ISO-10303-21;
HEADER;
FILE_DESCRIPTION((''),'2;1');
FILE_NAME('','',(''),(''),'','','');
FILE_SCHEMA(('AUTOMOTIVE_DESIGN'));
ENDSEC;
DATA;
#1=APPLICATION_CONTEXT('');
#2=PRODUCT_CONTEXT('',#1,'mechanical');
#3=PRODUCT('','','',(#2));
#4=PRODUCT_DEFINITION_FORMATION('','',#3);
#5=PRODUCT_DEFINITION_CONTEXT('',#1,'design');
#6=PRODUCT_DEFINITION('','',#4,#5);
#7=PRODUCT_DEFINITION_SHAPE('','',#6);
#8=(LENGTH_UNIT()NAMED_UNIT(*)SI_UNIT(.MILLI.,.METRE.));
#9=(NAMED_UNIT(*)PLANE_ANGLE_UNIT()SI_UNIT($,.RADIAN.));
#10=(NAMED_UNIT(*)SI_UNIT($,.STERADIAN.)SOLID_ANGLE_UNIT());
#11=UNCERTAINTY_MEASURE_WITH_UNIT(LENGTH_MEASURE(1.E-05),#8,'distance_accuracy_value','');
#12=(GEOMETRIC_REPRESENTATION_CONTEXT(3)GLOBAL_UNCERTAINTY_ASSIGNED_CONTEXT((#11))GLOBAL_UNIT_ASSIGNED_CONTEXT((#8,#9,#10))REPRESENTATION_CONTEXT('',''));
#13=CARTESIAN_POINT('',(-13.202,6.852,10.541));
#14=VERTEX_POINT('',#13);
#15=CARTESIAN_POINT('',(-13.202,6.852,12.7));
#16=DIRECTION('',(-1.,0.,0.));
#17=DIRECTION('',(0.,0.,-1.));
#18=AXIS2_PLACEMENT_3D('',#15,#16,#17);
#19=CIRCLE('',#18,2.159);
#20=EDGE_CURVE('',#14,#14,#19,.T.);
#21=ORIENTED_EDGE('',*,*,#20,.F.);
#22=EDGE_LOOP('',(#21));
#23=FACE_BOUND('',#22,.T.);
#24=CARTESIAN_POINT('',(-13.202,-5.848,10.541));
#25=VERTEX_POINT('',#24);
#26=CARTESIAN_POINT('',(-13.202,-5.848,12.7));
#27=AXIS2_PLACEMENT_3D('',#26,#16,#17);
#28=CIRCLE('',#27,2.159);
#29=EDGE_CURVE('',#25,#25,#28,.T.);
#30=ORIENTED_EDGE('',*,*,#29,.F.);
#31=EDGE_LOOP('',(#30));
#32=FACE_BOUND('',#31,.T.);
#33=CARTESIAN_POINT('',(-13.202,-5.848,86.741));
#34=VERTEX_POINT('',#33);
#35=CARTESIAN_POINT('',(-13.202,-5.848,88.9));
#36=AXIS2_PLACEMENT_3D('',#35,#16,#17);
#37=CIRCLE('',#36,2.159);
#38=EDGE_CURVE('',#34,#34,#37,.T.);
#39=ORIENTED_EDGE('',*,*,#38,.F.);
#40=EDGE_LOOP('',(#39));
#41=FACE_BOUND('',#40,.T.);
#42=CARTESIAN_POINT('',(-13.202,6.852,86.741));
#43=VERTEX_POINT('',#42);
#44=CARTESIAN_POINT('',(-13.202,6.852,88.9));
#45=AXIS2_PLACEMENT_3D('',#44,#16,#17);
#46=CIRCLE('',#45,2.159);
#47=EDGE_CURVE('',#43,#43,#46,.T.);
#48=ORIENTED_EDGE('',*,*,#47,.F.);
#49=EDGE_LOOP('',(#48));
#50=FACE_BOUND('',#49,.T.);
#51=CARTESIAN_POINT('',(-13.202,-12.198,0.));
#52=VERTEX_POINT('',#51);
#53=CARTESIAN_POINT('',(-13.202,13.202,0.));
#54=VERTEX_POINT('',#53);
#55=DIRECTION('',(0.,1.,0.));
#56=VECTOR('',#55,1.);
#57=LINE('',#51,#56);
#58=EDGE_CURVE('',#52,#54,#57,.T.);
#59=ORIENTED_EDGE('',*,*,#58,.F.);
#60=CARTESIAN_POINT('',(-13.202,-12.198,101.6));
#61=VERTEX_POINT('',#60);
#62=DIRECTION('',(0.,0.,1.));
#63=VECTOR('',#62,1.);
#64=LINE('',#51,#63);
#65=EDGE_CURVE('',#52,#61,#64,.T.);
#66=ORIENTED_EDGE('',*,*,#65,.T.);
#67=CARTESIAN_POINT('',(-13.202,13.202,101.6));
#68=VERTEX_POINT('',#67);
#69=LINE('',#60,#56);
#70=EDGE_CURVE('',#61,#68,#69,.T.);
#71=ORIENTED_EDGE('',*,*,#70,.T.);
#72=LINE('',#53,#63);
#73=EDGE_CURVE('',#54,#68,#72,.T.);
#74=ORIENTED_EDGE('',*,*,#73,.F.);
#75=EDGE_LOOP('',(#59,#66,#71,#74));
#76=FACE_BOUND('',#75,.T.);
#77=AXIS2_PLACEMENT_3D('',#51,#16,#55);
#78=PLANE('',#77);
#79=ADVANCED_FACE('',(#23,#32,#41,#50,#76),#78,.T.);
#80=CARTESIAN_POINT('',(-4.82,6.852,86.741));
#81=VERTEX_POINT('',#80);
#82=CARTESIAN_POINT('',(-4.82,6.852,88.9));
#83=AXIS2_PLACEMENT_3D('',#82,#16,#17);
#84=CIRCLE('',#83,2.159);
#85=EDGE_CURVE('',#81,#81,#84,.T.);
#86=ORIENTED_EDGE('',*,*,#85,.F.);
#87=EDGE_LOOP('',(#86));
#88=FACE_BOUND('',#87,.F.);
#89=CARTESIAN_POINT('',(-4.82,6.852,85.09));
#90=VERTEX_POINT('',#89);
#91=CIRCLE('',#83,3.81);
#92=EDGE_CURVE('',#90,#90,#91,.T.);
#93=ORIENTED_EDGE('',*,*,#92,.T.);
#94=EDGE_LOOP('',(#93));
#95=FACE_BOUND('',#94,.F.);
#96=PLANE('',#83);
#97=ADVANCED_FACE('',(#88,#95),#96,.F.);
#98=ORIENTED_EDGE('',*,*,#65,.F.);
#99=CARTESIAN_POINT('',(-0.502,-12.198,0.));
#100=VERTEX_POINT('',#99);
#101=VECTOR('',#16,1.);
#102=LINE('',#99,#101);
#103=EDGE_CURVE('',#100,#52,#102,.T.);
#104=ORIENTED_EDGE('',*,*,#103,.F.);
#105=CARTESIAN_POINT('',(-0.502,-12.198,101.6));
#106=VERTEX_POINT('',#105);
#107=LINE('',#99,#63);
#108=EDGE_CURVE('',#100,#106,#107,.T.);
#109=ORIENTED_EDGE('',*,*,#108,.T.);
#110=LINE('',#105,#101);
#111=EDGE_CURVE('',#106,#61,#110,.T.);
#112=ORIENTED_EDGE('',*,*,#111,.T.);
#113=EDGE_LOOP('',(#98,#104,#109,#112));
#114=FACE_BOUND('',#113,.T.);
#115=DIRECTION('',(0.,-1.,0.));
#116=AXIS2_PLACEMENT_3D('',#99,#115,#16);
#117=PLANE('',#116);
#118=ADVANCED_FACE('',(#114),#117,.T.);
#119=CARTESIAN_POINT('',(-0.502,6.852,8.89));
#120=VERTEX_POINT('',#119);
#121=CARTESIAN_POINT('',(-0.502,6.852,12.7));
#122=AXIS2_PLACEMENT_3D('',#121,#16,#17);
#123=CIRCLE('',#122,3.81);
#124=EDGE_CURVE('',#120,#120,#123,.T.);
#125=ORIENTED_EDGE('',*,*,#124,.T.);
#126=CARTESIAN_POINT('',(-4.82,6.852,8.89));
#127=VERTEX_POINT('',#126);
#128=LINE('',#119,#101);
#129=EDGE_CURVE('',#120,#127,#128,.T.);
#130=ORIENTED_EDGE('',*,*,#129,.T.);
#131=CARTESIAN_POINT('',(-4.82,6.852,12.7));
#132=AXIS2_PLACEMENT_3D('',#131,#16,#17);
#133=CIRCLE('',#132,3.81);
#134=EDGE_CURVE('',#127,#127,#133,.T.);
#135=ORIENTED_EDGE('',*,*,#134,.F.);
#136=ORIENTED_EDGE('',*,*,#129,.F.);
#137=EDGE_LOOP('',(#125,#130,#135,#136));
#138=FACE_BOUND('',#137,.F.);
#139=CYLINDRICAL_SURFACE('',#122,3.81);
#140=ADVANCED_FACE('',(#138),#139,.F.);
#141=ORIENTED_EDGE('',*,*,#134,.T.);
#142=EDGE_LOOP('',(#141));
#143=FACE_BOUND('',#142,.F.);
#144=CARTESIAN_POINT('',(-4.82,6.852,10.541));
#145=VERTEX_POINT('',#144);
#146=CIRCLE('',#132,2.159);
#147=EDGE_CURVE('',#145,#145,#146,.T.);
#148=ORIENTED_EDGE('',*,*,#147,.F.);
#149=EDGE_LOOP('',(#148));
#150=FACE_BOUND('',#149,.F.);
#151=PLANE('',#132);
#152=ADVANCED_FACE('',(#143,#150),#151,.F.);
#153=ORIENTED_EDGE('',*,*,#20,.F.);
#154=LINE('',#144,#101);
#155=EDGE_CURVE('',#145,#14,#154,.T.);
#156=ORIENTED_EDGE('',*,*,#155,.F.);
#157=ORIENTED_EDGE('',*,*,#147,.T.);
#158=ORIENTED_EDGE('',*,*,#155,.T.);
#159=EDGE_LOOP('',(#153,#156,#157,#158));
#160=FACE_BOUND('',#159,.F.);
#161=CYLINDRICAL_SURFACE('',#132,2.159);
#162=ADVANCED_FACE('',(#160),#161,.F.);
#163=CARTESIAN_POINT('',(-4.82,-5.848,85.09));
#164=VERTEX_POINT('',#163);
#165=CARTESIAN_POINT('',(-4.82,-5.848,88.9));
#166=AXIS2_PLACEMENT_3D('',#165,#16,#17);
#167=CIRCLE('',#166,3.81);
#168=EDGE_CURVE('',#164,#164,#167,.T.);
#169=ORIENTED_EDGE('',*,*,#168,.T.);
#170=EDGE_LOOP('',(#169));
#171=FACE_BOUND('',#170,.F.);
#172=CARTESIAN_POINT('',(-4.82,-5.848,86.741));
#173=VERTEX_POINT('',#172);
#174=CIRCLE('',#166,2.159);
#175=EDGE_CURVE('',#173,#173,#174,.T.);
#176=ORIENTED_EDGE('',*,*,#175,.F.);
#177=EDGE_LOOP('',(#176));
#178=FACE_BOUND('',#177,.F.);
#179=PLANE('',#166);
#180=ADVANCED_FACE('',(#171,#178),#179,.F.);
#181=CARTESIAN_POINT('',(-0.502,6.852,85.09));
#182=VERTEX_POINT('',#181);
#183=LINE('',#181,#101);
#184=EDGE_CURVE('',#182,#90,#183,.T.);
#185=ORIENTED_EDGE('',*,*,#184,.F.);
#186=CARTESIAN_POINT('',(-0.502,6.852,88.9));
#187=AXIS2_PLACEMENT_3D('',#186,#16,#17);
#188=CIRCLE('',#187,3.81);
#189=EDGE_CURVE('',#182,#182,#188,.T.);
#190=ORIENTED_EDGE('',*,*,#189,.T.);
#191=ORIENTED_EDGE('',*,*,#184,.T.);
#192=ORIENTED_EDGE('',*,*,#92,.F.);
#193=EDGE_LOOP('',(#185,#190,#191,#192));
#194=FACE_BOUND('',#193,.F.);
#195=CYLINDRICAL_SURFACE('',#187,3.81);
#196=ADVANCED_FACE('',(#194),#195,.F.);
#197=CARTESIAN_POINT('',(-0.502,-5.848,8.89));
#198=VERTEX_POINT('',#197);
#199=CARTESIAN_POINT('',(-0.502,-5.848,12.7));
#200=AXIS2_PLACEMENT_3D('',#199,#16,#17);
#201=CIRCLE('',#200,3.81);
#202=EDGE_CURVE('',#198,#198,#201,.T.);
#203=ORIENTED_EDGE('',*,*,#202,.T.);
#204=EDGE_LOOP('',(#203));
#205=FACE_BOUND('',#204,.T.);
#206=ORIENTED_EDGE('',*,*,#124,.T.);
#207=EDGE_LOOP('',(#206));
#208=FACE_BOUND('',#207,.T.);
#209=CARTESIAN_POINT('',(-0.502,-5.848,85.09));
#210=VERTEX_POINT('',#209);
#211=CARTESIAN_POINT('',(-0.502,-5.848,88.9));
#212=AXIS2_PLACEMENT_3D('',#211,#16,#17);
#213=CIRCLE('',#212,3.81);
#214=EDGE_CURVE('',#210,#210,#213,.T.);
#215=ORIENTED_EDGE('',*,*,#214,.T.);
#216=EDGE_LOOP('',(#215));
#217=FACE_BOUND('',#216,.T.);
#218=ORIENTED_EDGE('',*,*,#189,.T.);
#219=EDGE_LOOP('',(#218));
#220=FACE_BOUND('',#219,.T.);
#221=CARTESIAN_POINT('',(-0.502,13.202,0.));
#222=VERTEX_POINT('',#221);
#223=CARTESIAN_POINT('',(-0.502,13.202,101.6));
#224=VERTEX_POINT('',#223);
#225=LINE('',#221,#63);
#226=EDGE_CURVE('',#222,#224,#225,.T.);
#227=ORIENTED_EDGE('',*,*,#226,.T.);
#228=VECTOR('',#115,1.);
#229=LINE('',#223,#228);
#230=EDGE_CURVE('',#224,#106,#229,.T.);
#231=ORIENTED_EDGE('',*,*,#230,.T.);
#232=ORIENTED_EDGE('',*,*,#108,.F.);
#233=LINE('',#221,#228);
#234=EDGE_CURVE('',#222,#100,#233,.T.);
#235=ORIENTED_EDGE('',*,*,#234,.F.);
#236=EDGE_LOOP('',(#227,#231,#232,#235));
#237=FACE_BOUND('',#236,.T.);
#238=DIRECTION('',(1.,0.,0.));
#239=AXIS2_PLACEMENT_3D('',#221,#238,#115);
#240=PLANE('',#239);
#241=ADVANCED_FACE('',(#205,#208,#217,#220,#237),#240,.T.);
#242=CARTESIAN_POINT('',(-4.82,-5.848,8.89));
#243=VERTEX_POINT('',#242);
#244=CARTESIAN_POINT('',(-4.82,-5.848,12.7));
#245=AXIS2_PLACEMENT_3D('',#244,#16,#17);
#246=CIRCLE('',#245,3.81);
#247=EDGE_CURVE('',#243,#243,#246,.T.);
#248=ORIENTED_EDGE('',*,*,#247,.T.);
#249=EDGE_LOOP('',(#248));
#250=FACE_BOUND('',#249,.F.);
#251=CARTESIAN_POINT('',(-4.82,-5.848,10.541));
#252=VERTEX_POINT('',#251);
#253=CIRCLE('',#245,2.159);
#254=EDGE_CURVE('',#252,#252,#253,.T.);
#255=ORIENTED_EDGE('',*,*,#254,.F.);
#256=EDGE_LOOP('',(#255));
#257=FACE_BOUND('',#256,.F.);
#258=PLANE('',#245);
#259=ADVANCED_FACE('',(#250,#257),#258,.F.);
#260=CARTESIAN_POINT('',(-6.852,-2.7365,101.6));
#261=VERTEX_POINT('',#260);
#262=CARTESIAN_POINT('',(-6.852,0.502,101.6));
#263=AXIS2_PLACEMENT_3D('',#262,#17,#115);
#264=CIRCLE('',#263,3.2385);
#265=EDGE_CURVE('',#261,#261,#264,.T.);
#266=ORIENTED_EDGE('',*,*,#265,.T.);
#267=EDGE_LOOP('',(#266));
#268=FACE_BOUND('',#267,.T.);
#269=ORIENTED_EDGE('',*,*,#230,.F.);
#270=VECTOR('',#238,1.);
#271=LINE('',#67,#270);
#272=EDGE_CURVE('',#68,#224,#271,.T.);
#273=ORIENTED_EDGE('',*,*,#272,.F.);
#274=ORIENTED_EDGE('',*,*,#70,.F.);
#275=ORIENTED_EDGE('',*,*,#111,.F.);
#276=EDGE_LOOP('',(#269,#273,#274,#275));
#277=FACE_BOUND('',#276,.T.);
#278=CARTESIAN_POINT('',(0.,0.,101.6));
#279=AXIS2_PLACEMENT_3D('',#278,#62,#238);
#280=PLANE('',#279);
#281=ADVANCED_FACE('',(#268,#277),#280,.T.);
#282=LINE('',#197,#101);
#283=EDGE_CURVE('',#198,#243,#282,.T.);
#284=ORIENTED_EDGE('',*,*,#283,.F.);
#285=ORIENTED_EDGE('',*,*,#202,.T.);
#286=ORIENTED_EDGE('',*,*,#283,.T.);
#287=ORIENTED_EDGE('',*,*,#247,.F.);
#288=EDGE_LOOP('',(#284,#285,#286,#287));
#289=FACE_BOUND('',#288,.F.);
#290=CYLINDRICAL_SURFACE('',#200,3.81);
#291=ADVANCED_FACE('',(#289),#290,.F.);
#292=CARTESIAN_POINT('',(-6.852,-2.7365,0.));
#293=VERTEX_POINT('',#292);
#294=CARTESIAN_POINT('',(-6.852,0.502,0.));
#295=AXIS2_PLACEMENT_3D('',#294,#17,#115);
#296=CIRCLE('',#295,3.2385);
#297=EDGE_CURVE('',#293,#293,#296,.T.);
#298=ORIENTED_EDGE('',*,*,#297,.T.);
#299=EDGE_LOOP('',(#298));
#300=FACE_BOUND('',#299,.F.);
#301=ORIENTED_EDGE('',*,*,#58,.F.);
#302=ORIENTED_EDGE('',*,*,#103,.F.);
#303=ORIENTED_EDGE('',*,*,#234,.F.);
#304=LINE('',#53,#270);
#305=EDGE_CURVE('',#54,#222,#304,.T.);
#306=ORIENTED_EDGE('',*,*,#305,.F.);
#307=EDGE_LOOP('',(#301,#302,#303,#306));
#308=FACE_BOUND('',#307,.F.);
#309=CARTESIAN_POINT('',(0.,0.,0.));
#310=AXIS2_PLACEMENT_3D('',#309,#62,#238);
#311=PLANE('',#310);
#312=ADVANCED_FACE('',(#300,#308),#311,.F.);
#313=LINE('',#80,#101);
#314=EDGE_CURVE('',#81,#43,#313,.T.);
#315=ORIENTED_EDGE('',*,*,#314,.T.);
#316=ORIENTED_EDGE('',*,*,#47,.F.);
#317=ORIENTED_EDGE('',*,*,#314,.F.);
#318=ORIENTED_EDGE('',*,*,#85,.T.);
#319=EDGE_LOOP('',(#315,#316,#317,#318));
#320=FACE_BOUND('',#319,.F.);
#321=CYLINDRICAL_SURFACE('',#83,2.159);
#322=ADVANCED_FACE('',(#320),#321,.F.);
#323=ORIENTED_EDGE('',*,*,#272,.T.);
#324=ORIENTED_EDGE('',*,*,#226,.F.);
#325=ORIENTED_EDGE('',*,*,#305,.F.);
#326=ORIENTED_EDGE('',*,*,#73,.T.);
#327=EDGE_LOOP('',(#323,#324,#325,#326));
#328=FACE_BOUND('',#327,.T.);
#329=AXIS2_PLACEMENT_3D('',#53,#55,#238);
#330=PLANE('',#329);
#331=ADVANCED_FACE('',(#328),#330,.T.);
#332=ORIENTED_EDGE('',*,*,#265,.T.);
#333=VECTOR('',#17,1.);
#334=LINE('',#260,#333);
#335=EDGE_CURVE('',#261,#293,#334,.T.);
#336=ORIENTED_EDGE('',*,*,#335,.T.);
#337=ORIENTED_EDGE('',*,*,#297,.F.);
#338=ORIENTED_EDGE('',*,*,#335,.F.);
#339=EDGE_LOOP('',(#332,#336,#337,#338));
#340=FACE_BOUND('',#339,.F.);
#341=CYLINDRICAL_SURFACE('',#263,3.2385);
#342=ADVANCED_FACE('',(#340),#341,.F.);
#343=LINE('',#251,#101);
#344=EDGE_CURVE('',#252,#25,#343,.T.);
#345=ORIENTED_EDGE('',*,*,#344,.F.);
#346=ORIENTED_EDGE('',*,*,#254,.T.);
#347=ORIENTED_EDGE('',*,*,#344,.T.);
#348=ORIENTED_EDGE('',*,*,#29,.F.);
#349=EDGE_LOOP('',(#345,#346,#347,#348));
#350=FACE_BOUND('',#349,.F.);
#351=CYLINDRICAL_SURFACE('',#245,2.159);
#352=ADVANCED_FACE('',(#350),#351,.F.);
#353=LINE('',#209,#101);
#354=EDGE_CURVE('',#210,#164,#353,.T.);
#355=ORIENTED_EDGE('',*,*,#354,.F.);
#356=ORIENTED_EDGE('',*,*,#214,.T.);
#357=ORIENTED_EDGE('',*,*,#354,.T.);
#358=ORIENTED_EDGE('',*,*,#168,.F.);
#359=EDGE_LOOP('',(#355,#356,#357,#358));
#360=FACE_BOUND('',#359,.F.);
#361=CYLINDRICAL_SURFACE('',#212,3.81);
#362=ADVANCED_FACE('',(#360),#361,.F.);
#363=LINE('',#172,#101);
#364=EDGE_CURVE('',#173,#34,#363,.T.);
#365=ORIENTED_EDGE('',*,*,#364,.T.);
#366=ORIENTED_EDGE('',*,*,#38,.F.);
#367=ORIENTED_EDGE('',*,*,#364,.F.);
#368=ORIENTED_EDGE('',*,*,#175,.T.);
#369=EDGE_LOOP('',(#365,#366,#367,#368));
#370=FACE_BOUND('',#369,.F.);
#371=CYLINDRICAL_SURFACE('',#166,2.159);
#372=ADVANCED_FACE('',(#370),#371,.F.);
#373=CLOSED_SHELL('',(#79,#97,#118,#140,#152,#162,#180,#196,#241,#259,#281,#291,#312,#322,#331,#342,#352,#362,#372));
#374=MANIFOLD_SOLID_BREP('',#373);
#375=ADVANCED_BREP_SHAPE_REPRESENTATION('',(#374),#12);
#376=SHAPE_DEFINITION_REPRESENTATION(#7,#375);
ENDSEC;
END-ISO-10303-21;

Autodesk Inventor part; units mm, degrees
ref_plane "YZ Plane" through (0, 0, 0) normal (1, 0, 0) x (0, 1, 0)
ref_plane "XZ Plane" through (0, 0, 0) normal (0, 1, 0) x (-1, 0, 0)
ref_plane "XY Plane" through (0, 0, 0) normal (0, 0, 1) x (1, 0, 0)
sketch "Sketch1" plane through (0, 0, 0) normal (0, 0, 1) x (1, 0, 0)
  line L0 (-13.202, 13.202) -> (-0.502, 13.202)
  line L1 (-0.502, 13.202) -> (-0.502, -12.198)
  line L2 (-0.502, -12.198) -> (-13.202, -12.198)
  line L3 (-13.202, -12.198) -> (-13.202, 13.202)
  point P0 (0, 0)
  dimension "d0" = 12.7
  dimension "d1" = 25.4
extrude "Extrusion1" add sketch "Sketch1" along normal blind 101.6
sketch "Sketch6" plane through (-0.502, 13.202, 101.6) normal (1, 0, 0) x (0, 0, -1)
  line L0 (101.6, 0) -> (101.6, -25.4) projected
  line L1 (101.6, -25.4) -> (0, -25.4) projected
  line L2 (101.6, 0) -> (101.6, -25.4) projected
  line L3 (101.6, 0) -> (0, 0) projected
  line L4 (0, -25.4) -> (0, 0) projected
  line L5 (0, -25.4) -> (0, 0) projected
  point P0 (101.6, -13.202)
  point P1 (88.9, -6.35)
  point P2 (88.9, -19.05)
  point P3 (101.6, -19.05)
  point P4 (101.6, -6.35)
  point P5 (12.7, -6.35)
  point P6 (12.7, -19.05)
  point P7 (0, -19.05)
  point P8 (0, -6.35)
  dimension "d51" = 12.7
  dimension "d52" = 6.35
  dimension "d53" = 12.7
  dimension "d54" = 6.35
  dimension "d55" = 12.7
  dimension "d56" = 6.35
  dimension "d57" = 12.7
  dimension "d58" = 6.35
sketch "Sketch8" plane through (0, 0, 101.6) normal (0, 0, 1) x (1, 0, 0)
  line L0 (-13.202, 13.202) -> (-13.202, -12.198) projected
  line L1 (-13.202, -12.198) -> (-0.502, -12.198) projected
  point P0 (0, 0)
  point P1 (-6.852, 0.502)
  dimension "d82" = 6.35
  dimension "d84" = 12.7
hole "Hole4" at (-6.852, 0.502, 101.6) direction (0, 0, -1) diameter 6.477 end through all
hole "Hole5" at (-0.502, 6.852, 12.7) at (-0.502, -5.848, 12.7) at (-0.502, 6.852, 88.9) at (-0.502, -5.848, 88.9) direction (-1, 0, 0) diameter 4.318 end through all counterbore diameter 7.62 counterbore depth 4.318
properties part number "BottomOfElevatorFrameMid"
